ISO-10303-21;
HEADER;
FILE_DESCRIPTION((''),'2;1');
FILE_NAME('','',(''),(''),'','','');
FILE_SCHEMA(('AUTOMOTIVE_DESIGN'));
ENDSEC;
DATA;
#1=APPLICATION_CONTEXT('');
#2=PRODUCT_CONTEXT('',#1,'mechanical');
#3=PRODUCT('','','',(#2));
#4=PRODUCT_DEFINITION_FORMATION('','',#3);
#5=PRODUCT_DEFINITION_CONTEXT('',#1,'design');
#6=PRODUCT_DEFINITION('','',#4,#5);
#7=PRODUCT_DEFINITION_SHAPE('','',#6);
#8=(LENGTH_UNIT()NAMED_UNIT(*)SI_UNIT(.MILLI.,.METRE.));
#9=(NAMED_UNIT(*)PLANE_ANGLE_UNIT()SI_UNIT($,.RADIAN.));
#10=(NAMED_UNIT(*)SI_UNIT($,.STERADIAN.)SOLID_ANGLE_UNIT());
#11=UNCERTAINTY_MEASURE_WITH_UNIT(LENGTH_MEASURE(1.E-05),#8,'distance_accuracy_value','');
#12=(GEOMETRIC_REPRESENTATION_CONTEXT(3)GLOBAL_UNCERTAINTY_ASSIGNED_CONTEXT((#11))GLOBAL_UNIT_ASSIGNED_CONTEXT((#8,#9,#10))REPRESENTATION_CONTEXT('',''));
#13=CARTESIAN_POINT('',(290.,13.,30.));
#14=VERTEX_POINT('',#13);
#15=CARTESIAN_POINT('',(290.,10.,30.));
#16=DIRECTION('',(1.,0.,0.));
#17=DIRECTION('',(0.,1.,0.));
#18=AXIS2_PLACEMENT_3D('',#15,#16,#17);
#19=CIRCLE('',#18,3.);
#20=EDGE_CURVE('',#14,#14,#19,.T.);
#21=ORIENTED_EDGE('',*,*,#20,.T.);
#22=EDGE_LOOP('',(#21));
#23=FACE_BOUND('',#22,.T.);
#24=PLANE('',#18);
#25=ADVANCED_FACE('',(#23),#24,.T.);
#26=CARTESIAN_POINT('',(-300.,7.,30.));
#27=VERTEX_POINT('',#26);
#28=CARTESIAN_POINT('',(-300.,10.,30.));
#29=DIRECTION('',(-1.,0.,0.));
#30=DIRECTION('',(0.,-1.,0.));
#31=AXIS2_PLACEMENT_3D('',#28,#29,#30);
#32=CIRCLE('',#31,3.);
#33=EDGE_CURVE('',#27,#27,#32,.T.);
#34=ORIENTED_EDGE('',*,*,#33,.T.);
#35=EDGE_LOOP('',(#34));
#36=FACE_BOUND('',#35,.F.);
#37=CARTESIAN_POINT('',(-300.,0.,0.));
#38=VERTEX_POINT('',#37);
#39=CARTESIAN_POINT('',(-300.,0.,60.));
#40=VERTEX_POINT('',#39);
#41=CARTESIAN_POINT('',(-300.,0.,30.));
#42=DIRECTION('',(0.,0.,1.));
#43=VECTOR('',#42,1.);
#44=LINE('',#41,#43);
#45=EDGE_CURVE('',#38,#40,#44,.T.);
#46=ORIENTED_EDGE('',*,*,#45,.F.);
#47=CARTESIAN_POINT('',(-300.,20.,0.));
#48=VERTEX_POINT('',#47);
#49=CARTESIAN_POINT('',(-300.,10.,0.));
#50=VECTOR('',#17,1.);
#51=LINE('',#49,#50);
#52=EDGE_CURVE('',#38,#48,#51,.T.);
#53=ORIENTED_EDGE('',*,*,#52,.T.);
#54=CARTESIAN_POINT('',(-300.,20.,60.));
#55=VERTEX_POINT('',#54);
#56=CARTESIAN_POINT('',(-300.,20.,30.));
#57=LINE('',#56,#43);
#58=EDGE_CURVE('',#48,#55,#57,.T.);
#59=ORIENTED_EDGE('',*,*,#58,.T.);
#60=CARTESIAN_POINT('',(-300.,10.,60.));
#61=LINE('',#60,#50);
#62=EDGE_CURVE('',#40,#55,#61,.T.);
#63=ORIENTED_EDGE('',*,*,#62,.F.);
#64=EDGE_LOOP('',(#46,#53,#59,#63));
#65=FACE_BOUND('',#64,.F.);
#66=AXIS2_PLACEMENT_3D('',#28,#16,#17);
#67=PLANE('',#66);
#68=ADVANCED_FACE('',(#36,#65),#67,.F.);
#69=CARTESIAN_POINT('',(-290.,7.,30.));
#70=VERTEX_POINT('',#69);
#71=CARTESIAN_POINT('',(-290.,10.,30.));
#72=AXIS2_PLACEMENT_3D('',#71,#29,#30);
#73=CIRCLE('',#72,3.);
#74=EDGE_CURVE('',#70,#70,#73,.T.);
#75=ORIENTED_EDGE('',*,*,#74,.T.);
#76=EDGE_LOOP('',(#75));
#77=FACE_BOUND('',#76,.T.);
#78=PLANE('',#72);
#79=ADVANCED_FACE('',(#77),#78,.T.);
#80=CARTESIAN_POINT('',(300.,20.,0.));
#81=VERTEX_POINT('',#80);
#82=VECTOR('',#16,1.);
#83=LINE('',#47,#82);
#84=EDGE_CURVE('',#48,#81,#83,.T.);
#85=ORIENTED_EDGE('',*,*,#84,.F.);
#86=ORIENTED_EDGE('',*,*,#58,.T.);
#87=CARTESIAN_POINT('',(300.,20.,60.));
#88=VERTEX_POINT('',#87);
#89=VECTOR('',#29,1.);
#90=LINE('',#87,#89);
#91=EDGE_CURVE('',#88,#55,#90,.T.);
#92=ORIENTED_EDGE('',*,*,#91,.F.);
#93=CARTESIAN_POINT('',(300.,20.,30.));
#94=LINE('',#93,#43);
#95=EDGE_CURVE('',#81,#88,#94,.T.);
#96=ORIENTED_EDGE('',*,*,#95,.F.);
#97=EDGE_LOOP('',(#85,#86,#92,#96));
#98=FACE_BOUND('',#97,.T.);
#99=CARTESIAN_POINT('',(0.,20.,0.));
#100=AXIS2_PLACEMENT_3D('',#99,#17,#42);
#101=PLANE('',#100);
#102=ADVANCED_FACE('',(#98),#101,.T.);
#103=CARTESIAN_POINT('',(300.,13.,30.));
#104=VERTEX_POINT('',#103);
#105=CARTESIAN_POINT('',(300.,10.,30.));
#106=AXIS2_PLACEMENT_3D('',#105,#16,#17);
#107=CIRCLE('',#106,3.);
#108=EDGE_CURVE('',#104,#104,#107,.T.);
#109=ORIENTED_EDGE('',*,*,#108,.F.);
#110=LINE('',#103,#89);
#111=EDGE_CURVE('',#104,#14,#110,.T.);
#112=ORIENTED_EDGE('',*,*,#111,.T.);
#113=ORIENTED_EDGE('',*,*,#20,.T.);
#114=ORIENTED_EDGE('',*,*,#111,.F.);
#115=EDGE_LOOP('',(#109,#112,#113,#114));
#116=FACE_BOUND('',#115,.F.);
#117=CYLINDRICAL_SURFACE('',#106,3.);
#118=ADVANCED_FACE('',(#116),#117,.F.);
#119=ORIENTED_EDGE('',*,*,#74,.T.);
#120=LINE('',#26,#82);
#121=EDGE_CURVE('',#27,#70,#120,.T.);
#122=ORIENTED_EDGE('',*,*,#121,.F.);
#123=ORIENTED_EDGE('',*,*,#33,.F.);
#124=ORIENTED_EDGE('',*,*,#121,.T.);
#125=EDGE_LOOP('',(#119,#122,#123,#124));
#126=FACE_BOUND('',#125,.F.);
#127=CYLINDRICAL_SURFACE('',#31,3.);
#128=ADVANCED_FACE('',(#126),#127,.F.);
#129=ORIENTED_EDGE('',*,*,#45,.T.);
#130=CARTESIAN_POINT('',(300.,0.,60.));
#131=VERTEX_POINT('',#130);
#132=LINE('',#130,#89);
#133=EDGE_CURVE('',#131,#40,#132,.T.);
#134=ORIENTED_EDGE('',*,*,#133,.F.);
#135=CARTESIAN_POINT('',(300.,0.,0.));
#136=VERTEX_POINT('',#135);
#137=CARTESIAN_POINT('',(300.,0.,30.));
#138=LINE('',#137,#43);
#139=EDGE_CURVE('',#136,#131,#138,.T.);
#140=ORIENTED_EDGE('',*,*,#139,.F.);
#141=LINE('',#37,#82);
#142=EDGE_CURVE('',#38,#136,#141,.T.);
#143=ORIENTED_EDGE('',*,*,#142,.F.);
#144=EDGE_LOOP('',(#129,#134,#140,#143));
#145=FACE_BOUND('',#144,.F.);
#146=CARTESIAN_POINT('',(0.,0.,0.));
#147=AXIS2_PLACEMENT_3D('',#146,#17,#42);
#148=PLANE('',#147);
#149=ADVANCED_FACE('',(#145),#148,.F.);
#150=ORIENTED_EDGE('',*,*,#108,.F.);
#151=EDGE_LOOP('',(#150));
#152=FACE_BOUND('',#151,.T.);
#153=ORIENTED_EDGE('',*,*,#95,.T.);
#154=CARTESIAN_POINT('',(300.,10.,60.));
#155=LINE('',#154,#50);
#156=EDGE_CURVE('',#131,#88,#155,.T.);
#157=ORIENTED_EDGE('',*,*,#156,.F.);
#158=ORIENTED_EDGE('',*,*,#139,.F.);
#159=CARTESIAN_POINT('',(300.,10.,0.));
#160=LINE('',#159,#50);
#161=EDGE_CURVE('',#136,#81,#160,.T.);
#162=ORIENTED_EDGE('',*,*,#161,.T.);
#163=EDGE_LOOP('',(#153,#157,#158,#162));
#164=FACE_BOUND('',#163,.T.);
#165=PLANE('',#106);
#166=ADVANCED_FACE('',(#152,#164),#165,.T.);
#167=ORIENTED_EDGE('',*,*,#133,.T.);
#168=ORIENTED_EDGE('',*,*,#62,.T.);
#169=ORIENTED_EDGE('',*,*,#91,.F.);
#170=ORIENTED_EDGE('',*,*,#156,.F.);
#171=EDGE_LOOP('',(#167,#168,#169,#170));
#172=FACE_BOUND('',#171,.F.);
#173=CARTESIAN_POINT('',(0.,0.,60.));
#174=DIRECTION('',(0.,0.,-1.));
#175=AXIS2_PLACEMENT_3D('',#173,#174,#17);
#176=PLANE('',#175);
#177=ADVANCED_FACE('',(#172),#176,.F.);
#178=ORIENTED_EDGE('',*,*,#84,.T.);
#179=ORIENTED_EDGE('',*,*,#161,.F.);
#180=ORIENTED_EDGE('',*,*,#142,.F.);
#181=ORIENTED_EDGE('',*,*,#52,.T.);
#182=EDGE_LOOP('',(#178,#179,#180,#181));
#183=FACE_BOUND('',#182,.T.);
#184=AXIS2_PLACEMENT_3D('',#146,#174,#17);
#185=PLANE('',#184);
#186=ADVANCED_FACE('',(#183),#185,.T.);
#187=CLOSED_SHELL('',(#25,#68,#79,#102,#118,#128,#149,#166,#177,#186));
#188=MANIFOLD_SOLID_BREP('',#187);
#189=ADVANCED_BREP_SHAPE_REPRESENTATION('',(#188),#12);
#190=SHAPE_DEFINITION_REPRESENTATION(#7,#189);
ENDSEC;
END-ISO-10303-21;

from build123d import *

# Parameters (mm, degrees)
F0_W          = 20
F0_H          = 60
F1_DEPTH      = 300
F1_DEPTH_BACK = 300
F2_R          = 3
F3_DEPTH      = 10
F4_R          = 3
F5_DEPTH      = 10


with BuildPart() as f1:
    # F0 (on Right) → F1 (new body, two sides)
    with BuildSketch(Plane.YZ) as f1_sk:
        with Locations((10, 30)):
            Rectangle(F0_W, F0_H)
    extrude(amount=F1_DEPTH)
    extrude(f1_sk.sketch, amount=-F1_DEPTH_BACK)

    # F2 (on face) → F3 (cut)
    with BuildSketch(Plane.YZ.offset(300)):
        with Locations((10, 30)):
            Circle(F2_R)
    extrude(amount=-F3_DEPTH, mode=Mode.SUBTRACT)

    # F4 (on face) → F5 (cut)
    with BuildSketch(Plane(origin=(-300, 0, 0), x_dir=(0, -1, 0), z_dir=(-1, 0, 0))):
        with Locations((-10, 30)):
            Circle(F4_R)
    extrude(amount=-F5_DEPTH, mode=Mode.SUBTRACT)


solid = f1.part
